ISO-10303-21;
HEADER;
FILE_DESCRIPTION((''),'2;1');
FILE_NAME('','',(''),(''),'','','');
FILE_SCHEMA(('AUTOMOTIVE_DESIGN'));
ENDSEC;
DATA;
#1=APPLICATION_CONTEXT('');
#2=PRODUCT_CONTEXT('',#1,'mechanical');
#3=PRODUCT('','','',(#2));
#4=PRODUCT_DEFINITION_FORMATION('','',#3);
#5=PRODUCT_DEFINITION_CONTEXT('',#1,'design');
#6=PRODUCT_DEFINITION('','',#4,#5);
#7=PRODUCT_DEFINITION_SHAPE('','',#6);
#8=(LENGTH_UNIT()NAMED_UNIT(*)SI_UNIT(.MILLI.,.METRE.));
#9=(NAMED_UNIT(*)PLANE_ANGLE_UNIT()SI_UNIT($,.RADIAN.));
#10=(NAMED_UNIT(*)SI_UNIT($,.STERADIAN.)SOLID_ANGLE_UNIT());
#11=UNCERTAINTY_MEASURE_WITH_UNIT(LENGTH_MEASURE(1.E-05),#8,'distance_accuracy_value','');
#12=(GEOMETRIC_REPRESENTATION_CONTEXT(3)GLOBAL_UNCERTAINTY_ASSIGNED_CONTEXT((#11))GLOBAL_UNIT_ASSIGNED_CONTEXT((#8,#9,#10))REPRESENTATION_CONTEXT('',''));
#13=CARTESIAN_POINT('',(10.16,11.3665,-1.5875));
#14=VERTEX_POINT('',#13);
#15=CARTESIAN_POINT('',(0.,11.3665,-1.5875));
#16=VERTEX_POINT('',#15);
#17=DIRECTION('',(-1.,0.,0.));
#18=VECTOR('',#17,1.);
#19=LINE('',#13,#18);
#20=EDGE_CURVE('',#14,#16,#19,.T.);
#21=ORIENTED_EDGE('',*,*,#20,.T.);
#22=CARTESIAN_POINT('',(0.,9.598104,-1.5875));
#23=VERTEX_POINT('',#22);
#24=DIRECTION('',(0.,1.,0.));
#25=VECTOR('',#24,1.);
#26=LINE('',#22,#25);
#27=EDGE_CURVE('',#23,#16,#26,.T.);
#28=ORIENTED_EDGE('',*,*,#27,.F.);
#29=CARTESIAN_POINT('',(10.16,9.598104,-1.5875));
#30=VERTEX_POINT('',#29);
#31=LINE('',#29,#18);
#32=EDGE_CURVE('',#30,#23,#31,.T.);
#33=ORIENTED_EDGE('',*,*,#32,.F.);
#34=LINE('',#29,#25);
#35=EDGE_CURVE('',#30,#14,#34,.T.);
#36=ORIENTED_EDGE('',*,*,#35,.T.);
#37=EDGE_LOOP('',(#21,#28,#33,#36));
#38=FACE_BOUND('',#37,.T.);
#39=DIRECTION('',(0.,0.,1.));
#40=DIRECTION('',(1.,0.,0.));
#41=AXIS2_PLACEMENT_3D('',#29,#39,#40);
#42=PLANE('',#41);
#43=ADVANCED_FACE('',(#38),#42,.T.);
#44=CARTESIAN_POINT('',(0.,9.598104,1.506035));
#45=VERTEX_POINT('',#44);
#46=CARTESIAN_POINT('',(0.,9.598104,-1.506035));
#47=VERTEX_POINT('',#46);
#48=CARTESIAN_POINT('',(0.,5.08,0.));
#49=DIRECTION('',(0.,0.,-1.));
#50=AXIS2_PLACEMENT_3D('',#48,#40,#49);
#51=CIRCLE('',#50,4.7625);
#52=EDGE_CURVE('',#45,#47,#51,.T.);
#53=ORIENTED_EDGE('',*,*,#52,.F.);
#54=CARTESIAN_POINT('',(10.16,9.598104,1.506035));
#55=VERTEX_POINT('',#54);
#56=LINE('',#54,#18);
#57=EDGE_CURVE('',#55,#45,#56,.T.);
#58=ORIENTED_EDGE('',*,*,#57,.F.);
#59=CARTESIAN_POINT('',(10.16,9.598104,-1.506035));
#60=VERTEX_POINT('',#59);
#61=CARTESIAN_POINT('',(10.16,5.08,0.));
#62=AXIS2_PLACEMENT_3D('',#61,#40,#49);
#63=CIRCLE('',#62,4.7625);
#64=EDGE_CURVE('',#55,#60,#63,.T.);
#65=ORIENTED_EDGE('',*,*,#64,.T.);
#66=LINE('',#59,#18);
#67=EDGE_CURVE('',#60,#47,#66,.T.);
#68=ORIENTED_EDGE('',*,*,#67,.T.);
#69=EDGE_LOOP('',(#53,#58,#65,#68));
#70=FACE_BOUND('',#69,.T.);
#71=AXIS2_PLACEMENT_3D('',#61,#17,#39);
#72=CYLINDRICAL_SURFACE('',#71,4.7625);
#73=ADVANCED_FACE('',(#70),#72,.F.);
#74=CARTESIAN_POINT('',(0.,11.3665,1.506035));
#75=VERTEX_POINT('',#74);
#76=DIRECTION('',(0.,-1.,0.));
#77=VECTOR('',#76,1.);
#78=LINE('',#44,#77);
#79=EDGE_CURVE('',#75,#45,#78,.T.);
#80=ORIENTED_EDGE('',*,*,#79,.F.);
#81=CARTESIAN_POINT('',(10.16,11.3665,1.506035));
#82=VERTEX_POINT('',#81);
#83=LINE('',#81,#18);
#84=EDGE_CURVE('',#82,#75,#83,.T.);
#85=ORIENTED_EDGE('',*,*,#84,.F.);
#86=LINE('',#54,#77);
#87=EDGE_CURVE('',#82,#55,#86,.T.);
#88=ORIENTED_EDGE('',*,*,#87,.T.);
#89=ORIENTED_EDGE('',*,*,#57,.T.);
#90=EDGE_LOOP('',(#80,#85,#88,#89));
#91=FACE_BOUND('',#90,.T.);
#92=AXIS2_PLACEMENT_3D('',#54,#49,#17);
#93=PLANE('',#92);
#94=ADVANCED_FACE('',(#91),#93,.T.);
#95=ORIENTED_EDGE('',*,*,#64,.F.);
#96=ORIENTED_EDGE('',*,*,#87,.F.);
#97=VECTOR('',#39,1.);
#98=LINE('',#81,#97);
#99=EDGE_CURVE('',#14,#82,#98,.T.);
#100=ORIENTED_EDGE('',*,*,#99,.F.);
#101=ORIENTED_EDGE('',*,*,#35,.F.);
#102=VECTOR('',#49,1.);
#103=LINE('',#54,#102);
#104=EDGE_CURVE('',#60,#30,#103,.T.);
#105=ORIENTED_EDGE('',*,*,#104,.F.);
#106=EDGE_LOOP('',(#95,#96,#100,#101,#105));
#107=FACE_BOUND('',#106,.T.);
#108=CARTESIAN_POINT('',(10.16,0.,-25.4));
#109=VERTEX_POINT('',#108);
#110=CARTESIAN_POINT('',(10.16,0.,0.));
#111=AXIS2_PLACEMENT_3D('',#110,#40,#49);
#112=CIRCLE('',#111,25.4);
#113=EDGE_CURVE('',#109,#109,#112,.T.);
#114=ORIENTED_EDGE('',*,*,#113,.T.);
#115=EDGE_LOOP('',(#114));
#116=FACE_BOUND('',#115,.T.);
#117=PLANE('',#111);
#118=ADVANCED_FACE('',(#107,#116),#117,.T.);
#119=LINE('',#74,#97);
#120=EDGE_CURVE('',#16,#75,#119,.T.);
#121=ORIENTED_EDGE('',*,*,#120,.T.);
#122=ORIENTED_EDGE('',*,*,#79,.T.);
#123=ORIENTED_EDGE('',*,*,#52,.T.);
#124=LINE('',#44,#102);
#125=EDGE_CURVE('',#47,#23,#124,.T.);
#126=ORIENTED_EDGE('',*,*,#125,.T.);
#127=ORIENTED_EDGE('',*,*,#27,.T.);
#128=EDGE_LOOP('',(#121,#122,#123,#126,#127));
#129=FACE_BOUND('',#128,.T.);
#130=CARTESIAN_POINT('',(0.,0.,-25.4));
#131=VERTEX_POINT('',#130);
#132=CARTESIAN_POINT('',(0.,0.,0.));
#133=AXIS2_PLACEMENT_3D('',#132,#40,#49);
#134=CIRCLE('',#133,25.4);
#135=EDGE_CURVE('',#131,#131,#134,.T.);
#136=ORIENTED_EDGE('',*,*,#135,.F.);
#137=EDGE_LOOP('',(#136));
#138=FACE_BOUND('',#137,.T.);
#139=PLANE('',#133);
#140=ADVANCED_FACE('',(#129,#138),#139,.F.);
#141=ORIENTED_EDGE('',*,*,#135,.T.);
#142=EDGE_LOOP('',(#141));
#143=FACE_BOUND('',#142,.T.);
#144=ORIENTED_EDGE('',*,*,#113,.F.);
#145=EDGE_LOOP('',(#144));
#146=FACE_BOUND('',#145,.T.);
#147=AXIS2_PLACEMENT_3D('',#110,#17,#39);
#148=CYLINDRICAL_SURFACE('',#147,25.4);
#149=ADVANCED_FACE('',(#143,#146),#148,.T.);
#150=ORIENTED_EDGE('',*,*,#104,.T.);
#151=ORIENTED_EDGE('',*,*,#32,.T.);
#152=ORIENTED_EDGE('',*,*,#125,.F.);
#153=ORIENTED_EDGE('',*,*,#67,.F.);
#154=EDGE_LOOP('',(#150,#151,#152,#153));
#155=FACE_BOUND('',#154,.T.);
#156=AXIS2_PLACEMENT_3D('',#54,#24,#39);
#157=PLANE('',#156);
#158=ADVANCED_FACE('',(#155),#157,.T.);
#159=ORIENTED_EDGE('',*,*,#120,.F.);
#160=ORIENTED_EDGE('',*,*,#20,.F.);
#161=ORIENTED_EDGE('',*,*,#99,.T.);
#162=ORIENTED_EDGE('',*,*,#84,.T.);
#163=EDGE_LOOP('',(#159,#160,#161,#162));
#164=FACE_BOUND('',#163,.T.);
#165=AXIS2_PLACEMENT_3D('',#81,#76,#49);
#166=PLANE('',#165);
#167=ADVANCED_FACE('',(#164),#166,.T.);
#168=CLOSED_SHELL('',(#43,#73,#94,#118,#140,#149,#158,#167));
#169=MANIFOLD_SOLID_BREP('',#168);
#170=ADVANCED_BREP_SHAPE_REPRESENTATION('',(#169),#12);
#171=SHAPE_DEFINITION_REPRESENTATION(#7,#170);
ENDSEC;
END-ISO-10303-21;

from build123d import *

# Parameters (mm, degrees)
SKETCH1_R           = 25.4
BOSS_EXTRUDE1_DEPTH = 10.16
SKETCH2_R           = 4.7625
CUT_EXTRUDE1_DEPTH  = 38.33022368
SKETCH3_W           = 1.768395793
SKETCH3_H           = 3.093534736
CUT_EXTRUDE2_DEPTH  = 38.33022368


with BuildPart() as part:
    # Sketch1 → Boss-Extrude1 (new body)
    with BuildSketch(Plane.YZ):
        with Locations(Location((0, 0, 0), (0, 0, 270))):
            Circle(SKETCH1_R)
    extrude(amount=BOSS_EXTRUDE1_DEPTH)

    # Sketch2 → Cut-Extrude1 (cut, through all)
    with BuildSketch(Plane.YZ):
        with Locations(Location((5.08, 0, 0), (0, 0, 270))):
            Circle(SKETCH2_R)
    extrude(amount=CUT_EXTRUDE1_DEPTH, mode=Mode.SUBTRACT)

    # Sketch3 → Cut-Extrude2 (cut, through all)
    with BuildSketch(Plane.YZ):
        with Locations((10.482302104, -0.040732632)):
            Rectangle(SKETCH3_W, SKETCH3_H)
    extrude(amount=CUT_EXTRUDE2_DEPTH, mode=Mode.SUBTRACT)


solid = part.part
